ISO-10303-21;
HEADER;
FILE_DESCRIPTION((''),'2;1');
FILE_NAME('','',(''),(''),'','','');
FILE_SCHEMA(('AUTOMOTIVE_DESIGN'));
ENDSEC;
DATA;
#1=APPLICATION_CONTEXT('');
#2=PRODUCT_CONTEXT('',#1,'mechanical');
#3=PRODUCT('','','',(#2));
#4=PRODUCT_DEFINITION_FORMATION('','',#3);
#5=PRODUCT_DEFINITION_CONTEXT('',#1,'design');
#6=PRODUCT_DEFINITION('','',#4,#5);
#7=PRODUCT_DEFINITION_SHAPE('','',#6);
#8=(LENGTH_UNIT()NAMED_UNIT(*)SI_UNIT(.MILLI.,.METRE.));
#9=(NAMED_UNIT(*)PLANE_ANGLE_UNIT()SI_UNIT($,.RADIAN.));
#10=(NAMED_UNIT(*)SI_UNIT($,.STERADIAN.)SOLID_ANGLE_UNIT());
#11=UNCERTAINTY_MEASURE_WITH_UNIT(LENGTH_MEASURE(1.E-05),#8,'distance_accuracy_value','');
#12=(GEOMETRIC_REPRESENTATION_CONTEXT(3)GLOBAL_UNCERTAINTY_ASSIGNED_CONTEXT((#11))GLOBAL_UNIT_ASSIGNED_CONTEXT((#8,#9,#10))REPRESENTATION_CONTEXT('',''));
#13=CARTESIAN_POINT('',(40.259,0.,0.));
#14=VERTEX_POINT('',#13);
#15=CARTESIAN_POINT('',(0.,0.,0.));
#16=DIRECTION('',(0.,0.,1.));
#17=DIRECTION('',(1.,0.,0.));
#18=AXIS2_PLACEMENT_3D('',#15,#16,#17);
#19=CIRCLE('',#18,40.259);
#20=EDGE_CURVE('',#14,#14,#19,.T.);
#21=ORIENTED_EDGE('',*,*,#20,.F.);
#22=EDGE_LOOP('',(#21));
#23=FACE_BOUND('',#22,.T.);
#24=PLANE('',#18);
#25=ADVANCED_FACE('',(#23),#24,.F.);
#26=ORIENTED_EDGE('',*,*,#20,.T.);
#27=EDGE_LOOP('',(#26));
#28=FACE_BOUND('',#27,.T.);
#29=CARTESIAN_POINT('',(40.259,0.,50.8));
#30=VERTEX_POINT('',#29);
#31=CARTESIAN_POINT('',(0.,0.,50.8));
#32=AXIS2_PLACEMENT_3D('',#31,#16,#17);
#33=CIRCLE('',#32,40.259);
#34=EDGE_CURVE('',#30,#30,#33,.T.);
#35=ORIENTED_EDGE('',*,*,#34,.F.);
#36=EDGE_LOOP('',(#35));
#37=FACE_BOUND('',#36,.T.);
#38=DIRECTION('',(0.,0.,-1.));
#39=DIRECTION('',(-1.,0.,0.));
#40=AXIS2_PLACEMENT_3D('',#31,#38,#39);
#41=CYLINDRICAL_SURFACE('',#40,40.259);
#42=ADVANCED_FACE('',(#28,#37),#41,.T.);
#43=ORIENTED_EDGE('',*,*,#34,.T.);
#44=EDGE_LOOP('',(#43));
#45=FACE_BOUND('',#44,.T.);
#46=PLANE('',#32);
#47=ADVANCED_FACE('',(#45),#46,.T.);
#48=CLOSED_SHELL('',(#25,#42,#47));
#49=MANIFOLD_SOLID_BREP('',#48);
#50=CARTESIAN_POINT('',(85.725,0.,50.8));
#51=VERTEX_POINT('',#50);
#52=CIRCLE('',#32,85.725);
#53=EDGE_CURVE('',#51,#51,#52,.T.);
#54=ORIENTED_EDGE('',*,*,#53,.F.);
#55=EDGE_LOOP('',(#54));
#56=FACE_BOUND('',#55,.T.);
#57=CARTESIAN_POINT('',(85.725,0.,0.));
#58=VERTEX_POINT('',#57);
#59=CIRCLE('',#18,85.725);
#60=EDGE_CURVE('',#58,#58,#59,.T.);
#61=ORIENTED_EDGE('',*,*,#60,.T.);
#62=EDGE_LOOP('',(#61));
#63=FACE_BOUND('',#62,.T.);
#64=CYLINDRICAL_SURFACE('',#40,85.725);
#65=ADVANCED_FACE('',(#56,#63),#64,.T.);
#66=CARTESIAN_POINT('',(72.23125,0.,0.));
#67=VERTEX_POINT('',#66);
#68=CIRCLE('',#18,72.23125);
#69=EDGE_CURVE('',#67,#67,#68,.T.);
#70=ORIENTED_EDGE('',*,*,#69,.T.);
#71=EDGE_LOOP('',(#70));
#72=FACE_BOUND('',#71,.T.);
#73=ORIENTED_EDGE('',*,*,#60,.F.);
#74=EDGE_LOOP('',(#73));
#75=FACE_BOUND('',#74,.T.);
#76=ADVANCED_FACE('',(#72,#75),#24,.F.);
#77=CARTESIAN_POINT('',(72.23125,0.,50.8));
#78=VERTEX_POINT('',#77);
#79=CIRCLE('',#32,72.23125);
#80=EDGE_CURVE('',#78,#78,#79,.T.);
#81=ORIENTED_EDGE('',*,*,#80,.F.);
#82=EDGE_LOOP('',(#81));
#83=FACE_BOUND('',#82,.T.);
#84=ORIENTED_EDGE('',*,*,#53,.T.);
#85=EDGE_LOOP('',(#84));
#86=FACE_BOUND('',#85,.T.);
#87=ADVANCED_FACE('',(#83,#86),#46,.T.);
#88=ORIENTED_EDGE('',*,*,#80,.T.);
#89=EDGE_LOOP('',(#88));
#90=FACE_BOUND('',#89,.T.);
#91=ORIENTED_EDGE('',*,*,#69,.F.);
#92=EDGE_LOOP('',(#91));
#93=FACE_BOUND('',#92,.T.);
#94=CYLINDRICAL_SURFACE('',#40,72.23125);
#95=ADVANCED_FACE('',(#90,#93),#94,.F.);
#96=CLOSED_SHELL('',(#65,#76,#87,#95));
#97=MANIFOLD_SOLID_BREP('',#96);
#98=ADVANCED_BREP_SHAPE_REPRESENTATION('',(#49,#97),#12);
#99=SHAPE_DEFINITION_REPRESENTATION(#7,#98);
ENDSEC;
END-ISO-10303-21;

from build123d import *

# Parameters (mm, degrees)
SKETCH1_R             = 85.725
SKETCH1_R_2           = 72.23125
BOSS_EXTRUDE1_DEPTH   = 50.8
SKETCH1_R_3           = 40.259
BOSS_EXTRUDE1_2_DEPTH = 50.8


with BuildPart() as part:
    # Sketch1 → Boss-Extrude1 (new body)
    with BuildSketch(Plane.XY):
        Circle(SKETCH1_R)
        Circle(SKETCH1_R_2, mode=Mode.SUBTRACT)
    extrude(amount=BOSS_EXTRUDE1_DEPTH)


with BuildPart() as body_2:
    # Sketch1 → Boss-Extrude1 2 (new body)
    with BuildSketch(Plane.XY):
        Circle(SKETCH1_R_3)
    extrude(amount=BOSS_EXTRUDE1_2_DEPTH)


solid = Compound([part.part, body_2.part])
